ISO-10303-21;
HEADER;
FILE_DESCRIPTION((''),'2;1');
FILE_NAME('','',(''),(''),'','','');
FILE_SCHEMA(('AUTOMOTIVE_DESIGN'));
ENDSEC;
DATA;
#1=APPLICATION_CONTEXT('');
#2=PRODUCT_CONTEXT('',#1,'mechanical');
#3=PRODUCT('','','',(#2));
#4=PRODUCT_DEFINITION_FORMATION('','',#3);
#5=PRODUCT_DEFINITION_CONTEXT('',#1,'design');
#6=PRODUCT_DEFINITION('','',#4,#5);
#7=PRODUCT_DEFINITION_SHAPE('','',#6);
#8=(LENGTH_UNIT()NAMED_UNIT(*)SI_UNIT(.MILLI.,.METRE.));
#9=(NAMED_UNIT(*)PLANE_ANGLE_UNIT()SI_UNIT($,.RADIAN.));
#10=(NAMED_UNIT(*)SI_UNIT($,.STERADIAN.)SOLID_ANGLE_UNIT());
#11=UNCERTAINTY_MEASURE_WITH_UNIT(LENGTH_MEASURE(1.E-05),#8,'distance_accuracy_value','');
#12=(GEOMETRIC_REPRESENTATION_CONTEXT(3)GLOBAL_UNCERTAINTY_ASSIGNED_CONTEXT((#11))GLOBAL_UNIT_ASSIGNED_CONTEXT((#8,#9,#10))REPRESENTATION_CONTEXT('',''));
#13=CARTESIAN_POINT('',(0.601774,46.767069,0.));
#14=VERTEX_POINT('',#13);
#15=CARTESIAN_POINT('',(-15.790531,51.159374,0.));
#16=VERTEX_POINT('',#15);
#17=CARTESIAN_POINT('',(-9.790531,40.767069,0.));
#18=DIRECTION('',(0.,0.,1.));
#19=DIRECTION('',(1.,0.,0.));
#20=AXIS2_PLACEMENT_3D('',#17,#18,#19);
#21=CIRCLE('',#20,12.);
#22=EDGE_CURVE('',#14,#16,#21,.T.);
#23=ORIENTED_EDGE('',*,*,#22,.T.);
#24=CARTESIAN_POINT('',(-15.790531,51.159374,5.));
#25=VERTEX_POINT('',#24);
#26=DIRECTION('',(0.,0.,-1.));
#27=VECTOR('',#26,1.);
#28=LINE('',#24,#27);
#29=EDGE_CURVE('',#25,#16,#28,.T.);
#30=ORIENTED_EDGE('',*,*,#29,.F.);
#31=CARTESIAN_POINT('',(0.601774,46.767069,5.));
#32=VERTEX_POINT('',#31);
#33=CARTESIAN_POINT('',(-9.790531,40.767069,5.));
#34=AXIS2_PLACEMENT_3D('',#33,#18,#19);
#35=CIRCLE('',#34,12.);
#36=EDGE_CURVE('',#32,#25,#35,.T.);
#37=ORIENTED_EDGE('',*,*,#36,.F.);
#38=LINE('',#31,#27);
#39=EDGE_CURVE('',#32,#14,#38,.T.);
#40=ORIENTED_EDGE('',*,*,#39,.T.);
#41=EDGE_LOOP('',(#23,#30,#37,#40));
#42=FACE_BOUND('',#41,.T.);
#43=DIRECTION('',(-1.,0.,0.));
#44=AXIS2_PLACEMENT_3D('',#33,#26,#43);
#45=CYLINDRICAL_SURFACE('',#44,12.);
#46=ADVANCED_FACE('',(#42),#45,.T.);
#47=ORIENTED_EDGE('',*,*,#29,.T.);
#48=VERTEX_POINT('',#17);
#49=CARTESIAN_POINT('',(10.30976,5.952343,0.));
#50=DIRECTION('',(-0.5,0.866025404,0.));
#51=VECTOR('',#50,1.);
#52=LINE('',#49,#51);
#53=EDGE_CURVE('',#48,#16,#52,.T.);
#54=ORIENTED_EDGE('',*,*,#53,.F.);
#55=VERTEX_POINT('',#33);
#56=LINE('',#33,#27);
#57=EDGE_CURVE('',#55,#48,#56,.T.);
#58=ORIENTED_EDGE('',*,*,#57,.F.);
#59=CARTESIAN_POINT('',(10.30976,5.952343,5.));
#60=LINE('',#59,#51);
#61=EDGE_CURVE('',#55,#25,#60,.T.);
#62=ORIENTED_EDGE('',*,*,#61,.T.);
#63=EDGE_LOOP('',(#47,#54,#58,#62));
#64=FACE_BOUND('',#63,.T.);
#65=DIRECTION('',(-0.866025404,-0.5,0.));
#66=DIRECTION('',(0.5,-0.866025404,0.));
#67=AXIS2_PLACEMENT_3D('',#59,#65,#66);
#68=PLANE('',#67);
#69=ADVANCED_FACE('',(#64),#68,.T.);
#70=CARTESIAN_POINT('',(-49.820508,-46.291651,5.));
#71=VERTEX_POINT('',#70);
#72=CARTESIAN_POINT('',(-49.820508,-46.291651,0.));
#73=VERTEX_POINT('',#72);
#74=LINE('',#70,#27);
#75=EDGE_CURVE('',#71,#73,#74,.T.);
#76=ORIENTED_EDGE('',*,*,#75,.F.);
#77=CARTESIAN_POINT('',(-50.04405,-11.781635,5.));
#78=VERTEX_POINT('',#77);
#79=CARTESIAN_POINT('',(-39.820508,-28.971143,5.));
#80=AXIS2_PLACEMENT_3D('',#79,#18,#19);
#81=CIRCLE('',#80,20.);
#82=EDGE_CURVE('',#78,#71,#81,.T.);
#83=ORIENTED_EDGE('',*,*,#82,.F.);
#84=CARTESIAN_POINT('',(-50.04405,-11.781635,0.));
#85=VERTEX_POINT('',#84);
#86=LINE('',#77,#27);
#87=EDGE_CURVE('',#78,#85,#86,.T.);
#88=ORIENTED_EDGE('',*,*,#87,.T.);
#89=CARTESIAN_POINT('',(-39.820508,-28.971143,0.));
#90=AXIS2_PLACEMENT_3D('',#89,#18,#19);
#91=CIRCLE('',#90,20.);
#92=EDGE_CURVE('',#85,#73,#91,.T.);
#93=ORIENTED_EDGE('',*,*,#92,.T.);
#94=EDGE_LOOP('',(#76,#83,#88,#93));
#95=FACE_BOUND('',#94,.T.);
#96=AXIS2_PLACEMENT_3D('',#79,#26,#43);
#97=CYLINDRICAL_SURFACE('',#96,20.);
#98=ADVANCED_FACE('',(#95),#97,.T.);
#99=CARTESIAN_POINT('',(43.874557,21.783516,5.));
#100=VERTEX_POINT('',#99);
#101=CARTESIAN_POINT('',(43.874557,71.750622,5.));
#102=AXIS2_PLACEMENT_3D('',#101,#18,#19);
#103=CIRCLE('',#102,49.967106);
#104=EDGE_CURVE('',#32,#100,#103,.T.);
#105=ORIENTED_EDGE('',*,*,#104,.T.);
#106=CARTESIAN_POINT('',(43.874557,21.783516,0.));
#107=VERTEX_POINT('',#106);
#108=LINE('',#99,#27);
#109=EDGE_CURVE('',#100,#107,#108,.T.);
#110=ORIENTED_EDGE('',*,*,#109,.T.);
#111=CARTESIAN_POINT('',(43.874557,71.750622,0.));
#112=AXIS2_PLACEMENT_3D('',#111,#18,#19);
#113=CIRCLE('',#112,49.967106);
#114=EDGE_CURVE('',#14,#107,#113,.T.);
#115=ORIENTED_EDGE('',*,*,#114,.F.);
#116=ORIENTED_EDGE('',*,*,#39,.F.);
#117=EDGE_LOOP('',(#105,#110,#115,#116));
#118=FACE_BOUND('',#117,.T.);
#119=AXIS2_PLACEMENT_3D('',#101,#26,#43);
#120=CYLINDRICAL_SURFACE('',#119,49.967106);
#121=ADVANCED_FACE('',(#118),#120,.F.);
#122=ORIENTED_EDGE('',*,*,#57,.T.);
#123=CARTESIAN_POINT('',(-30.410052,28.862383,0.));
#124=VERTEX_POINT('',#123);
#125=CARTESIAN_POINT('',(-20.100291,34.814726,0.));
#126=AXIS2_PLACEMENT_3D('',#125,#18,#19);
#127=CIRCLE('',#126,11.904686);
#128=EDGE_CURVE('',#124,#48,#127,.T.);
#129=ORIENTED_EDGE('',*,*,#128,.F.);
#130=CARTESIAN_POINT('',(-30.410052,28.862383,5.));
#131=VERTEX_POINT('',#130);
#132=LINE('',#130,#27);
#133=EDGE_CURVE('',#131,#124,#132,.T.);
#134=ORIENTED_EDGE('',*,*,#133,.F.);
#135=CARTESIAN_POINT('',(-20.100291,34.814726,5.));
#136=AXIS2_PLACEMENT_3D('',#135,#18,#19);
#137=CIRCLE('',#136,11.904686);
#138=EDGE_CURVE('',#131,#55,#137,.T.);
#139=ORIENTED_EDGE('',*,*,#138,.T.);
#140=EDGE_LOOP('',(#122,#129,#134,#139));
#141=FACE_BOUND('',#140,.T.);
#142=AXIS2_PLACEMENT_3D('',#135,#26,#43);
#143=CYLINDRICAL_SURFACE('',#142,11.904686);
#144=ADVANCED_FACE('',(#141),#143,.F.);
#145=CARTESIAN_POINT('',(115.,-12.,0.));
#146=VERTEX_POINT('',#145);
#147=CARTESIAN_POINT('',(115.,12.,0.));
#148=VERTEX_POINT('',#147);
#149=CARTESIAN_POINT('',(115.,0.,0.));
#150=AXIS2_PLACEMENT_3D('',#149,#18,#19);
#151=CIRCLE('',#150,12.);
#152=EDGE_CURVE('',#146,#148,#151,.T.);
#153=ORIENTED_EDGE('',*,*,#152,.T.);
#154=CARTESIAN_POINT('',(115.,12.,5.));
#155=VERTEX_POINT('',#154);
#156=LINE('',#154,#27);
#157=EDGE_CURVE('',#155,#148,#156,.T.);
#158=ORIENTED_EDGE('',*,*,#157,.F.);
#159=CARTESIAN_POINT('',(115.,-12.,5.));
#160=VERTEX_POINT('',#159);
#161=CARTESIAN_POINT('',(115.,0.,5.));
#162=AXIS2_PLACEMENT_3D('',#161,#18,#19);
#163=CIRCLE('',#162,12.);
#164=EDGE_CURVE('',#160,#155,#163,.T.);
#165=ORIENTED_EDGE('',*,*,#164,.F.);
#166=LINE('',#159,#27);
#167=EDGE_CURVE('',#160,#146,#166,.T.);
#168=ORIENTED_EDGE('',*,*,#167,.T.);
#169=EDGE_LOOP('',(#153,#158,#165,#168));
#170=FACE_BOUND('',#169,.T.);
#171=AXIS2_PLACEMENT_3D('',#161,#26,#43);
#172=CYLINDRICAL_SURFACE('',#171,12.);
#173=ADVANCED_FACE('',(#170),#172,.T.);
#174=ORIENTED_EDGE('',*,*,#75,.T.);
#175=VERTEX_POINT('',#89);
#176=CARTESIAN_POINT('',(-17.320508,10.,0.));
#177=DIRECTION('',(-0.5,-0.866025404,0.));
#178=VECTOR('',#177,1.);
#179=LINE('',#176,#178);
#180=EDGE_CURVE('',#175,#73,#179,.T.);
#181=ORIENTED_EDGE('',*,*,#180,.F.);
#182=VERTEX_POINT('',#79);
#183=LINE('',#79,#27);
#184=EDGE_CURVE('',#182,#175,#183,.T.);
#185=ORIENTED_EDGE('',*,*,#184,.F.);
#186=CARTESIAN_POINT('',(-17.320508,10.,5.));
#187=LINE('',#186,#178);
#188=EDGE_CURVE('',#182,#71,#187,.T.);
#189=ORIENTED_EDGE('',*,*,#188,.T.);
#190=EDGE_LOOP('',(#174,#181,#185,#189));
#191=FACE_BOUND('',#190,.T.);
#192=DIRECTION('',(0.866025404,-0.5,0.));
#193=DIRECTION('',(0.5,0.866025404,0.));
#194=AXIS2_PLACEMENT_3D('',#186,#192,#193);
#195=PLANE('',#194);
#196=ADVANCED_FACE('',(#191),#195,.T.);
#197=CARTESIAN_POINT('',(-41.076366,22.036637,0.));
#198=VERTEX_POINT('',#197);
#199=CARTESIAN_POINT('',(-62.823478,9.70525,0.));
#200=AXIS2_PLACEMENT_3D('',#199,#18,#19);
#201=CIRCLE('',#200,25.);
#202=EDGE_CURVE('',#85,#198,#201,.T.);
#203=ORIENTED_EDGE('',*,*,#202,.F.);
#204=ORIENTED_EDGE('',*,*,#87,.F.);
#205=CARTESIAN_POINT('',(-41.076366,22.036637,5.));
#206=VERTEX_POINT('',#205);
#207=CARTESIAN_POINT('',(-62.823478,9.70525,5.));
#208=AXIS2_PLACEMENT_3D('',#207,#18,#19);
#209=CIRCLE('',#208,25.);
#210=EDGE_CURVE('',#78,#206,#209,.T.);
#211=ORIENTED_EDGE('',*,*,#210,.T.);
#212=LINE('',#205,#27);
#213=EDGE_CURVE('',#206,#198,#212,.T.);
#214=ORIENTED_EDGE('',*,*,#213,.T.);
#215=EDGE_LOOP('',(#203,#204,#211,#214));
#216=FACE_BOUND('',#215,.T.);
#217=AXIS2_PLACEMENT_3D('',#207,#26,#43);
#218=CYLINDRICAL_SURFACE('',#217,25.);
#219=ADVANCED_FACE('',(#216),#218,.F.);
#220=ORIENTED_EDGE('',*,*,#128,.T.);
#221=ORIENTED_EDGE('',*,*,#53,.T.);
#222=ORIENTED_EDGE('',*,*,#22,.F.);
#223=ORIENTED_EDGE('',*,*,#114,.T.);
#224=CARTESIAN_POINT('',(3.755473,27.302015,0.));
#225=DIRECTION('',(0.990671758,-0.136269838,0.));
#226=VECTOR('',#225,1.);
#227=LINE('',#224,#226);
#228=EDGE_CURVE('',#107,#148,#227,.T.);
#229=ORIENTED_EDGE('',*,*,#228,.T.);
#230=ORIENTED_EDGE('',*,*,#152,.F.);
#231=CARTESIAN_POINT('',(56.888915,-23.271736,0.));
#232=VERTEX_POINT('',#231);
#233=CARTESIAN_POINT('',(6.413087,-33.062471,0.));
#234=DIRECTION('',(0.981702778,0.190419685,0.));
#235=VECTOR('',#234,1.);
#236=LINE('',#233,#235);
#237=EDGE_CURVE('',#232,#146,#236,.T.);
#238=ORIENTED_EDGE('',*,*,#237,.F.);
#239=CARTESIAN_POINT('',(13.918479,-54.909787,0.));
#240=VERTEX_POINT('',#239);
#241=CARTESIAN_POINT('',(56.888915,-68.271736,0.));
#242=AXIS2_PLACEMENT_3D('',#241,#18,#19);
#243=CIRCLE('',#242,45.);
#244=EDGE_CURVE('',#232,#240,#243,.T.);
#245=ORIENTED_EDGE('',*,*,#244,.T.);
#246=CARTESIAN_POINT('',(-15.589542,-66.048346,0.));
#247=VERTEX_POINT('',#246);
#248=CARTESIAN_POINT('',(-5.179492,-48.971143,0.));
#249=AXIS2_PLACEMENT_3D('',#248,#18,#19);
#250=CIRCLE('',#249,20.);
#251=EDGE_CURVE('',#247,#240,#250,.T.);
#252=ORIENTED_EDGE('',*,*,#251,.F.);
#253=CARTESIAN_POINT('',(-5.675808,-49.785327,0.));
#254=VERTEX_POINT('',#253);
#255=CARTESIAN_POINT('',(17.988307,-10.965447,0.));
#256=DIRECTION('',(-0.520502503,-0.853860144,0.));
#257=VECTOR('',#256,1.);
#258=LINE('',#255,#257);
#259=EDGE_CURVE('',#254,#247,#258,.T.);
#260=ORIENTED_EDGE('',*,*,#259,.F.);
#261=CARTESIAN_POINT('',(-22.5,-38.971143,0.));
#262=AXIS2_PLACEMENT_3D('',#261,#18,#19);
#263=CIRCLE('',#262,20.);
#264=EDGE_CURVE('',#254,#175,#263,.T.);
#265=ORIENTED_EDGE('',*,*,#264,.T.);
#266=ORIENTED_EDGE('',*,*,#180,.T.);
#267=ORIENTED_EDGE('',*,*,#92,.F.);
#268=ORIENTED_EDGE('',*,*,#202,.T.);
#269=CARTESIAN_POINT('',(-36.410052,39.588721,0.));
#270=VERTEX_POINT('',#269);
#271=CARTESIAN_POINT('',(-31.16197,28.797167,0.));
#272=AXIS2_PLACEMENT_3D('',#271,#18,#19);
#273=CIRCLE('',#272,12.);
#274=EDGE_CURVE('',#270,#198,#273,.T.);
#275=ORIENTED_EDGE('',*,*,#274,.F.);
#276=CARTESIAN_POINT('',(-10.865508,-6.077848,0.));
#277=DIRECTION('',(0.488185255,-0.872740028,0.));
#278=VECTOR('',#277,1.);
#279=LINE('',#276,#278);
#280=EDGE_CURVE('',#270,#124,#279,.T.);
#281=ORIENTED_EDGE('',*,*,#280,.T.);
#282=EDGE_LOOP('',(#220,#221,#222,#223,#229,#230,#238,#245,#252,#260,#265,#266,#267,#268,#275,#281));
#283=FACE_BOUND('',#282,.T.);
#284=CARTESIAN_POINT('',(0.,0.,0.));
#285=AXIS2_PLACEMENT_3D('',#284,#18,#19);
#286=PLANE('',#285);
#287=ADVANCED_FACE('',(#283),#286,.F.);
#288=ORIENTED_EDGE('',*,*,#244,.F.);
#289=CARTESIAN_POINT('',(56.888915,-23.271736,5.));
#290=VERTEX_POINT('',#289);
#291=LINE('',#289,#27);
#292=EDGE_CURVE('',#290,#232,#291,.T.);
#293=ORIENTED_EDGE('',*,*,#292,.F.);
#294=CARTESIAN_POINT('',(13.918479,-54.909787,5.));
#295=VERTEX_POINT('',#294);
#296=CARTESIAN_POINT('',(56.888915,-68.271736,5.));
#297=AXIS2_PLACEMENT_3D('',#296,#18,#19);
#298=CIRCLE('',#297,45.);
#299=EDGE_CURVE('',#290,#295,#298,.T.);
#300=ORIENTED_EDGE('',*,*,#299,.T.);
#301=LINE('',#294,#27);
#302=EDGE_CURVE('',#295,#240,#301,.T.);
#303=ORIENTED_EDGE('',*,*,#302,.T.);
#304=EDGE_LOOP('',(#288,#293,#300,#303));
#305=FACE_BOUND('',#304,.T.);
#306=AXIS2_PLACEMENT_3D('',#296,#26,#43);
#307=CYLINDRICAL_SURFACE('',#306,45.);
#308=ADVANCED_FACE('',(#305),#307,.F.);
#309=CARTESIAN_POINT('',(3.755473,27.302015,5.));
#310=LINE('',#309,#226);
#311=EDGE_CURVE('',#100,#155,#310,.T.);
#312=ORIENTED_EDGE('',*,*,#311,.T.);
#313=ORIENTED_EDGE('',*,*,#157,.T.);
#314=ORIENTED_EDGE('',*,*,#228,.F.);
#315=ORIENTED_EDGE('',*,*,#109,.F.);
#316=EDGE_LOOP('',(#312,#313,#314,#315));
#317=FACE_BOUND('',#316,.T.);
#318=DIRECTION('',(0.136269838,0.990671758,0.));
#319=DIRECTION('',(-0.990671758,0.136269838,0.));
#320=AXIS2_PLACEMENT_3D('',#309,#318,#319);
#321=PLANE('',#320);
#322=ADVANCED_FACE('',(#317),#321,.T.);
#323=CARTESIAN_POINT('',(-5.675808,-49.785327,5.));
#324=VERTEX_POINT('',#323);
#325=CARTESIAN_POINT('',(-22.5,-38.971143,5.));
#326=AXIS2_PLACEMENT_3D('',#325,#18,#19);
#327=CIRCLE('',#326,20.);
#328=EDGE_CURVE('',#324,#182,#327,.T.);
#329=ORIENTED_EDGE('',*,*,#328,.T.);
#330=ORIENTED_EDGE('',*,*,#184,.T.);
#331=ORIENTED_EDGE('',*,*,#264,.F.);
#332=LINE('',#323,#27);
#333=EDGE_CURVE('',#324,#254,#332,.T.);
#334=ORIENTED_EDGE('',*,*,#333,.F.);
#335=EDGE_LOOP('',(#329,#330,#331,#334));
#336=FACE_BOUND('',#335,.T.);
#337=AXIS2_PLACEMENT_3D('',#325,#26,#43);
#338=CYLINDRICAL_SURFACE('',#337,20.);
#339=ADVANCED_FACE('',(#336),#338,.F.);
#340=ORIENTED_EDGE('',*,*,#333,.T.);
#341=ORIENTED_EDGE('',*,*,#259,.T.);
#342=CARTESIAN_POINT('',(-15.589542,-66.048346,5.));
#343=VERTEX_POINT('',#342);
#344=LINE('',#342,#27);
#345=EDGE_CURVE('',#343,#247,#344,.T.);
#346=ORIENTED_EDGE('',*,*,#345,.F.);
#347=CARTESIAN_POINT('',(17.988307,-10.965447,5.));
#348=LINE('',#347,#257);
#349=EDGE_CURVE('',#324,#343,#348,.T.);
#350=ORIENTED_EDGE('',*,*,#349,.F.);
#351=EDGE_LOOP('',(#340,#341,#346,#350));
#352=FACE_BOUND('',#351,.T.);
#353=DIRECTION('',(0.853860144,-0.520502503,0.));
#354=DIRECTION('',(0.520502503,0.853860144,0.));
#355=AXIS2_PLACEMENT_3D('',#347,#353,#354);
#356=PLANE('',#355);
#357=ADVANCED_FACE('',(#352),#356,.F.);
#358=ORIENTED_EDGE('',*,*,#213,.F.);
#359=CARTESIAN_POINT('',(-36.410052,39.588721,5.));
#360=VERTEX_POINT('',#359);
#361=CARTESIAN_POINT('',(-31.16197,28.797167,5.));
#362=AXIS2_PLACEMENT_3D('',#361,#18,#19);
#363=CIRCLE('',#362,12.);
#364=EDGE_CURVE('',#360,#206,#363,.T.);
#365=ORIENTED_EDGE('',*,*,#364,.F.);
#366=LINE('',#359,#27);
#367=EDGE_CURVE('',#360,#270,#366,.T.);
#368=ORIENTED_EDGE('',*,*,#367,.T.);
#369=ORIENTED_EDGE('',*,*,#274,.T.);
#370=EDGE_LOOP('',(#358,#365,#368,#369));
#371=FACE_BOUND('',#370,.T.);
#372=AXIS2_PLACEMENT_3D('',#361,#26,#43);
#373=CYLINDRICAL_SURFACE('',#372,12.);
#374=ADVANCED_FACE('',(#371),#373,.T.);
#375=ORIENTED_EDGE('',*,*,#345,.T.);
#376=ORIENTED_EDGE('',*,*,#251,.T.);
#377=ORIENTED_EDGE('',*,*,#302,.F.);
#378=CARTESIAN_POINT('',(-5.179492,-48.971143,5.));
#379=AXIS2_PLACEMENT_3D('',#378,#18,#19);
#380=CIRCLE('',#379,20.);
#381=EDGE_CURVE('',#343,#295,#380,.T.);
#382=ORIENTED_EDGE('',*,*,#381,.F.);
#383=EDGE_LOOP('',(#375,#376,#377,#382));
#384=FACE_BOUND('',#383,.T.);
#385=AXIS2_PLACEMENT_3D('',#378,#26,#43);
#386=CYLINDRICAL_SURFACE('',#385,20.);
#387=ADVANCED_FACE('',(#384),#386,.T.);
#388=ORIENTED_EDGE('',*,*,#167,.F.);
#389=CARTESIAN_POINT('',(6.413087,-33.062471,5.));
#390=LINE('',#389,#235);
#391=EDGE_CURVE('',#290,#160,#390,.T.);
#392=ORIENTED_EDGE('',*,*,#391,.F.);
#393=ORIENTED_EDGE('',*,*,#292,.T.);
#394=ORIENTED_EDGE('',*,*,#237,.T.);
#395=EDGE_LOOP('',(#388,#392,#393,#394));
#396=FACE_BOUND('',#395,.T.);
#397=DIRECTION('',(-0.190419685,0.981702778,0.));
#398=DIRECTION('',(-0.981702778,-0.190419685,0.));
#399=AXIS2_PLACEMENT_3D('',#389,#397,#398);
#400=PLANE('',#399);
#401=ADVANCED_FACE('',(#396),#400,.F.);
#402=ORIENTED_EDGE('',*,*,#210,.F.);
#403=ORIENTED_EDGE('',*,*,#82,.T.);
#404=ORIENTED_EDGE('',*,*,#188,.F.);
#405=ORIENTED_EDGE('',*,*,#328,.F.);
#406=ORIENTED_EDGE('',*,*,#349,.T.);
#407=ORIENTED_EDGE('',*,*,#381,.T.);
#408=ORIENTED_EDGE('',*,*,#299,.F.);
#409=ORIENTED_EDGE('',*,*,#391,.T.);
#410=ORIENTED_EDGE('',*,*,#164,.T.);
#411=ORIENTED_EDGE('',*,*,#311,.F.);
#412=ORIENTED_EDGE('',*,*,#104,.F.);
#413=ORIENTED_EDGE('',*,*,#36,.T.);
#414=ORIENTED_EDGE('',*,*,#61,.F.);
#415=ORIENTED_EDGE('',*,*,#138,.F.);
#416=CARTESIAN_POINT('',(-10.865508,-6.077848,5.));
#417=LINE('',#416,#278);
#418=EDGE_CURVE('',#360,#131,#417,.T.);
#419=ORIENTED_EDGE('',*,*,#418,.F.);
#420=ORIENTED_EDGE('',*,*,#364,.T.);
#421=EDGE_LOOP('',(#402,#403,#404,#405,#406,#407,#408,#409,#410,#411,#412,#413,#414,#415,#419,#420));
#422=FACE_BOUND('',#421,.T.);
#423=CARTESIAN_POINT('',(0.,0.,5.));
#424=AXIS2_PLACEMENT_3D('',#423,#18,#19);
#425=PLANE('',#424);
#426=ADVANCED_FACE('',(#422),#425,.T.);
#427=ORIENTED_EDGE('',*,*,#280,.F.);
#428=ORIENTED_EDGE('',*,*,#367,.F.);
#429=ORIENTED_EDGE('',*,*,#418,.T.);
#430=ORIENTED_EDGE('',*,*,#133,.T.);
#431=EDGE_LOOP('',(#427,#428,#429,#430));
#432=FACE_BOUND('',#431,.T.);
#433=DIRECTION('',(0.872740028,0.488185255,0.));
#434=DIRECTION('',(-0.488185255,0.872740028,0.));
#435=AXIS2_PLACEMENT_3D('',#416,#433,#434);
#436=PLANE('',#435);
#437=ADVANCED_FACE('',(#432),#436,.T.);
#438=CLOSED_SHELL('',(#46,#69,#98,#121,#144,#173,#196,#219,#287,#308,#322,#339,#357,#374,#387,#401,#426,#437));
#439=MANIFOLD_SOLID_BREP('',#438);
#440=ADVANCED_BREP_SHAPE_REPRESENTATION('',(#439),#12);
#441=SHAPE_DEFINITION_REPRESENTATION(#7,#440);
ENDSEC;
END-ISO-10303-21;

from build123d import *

# Parameters (mm, degrees)
BOSS_EXTRUDE2_DEPTH = 5


with BuildPart() as part:
    # Sketch1 → Boss-Extrude2 (new body)
    with BuildSketch(Plane.XY):
        with BuildLine():
            Line((-30.410051578, 28.86238305), (-36.410051578, 39.588721298))
            ThreePointArc((-36.410051578, 39.588721298), (-42.759129148, 31.880332669), (-41.076365657, 22.036636805))
            ThreePointArc((-41.076365657, 22.036636805), (-38.658640478, 3.297393101), (-50.044050262, -11.781635174))
            ThreePointArc((-50.044050262, -11.781635174), (-59.820088495, -29.100692514), (-49.820508076, -46.291651246))
            Line((-49.820508076, -46.291651246), (-39.820508076, -28.97114317))
            ThreePointArc((-39.820508076, -28.97114317), (-12.5, -21.650635095), (-5.179491924, -48.97114317))
            ThreePointArc((-5.179491924, -48.97114317), (-5.422797128, -49.381193221), (-5.675808094, -49.78532676))
            Line((-5.675808094, -49.78532676), (-15.589541975, -66.048346043))
            ThreePointArc((-15.589541975, -66.048346043), (1.883571693, -67.682453449), (13.918479383, -54.909787119))
            ThreePointArc((13.918479383, -54.909787119), (30.208282334, -32.034409255), (56.888914824, -23.271736004))
            Line((56.888914824, -23.271736004), (115, -12))
            ThreePointArc((115, -12), (127, 0), (115, 12))
            Line((115, 12), (43.874557006, 21.783515632))
            ThreePointArc((43.874557006, 21.783515632), (18.891003915, 28.477838507), (0.601773699, 46.767068722))
            ThreePointArc((0.601773699, 46.767068722), (-6.684702605, 52.358178638), (-15.790531146, 51.159373568))
            Line((-15.790531146, 51.159373568), (-9.790531146, 40.767068722))
            ThreePointArc((-9.790531146, 40.767068722), (-14.147948526, 24.50496567), (-30.410051578, 28.86238305))
        make_face()
    extrude(amount=BOSS_EXTRUDE2_DEPTH)


solid = part.part
